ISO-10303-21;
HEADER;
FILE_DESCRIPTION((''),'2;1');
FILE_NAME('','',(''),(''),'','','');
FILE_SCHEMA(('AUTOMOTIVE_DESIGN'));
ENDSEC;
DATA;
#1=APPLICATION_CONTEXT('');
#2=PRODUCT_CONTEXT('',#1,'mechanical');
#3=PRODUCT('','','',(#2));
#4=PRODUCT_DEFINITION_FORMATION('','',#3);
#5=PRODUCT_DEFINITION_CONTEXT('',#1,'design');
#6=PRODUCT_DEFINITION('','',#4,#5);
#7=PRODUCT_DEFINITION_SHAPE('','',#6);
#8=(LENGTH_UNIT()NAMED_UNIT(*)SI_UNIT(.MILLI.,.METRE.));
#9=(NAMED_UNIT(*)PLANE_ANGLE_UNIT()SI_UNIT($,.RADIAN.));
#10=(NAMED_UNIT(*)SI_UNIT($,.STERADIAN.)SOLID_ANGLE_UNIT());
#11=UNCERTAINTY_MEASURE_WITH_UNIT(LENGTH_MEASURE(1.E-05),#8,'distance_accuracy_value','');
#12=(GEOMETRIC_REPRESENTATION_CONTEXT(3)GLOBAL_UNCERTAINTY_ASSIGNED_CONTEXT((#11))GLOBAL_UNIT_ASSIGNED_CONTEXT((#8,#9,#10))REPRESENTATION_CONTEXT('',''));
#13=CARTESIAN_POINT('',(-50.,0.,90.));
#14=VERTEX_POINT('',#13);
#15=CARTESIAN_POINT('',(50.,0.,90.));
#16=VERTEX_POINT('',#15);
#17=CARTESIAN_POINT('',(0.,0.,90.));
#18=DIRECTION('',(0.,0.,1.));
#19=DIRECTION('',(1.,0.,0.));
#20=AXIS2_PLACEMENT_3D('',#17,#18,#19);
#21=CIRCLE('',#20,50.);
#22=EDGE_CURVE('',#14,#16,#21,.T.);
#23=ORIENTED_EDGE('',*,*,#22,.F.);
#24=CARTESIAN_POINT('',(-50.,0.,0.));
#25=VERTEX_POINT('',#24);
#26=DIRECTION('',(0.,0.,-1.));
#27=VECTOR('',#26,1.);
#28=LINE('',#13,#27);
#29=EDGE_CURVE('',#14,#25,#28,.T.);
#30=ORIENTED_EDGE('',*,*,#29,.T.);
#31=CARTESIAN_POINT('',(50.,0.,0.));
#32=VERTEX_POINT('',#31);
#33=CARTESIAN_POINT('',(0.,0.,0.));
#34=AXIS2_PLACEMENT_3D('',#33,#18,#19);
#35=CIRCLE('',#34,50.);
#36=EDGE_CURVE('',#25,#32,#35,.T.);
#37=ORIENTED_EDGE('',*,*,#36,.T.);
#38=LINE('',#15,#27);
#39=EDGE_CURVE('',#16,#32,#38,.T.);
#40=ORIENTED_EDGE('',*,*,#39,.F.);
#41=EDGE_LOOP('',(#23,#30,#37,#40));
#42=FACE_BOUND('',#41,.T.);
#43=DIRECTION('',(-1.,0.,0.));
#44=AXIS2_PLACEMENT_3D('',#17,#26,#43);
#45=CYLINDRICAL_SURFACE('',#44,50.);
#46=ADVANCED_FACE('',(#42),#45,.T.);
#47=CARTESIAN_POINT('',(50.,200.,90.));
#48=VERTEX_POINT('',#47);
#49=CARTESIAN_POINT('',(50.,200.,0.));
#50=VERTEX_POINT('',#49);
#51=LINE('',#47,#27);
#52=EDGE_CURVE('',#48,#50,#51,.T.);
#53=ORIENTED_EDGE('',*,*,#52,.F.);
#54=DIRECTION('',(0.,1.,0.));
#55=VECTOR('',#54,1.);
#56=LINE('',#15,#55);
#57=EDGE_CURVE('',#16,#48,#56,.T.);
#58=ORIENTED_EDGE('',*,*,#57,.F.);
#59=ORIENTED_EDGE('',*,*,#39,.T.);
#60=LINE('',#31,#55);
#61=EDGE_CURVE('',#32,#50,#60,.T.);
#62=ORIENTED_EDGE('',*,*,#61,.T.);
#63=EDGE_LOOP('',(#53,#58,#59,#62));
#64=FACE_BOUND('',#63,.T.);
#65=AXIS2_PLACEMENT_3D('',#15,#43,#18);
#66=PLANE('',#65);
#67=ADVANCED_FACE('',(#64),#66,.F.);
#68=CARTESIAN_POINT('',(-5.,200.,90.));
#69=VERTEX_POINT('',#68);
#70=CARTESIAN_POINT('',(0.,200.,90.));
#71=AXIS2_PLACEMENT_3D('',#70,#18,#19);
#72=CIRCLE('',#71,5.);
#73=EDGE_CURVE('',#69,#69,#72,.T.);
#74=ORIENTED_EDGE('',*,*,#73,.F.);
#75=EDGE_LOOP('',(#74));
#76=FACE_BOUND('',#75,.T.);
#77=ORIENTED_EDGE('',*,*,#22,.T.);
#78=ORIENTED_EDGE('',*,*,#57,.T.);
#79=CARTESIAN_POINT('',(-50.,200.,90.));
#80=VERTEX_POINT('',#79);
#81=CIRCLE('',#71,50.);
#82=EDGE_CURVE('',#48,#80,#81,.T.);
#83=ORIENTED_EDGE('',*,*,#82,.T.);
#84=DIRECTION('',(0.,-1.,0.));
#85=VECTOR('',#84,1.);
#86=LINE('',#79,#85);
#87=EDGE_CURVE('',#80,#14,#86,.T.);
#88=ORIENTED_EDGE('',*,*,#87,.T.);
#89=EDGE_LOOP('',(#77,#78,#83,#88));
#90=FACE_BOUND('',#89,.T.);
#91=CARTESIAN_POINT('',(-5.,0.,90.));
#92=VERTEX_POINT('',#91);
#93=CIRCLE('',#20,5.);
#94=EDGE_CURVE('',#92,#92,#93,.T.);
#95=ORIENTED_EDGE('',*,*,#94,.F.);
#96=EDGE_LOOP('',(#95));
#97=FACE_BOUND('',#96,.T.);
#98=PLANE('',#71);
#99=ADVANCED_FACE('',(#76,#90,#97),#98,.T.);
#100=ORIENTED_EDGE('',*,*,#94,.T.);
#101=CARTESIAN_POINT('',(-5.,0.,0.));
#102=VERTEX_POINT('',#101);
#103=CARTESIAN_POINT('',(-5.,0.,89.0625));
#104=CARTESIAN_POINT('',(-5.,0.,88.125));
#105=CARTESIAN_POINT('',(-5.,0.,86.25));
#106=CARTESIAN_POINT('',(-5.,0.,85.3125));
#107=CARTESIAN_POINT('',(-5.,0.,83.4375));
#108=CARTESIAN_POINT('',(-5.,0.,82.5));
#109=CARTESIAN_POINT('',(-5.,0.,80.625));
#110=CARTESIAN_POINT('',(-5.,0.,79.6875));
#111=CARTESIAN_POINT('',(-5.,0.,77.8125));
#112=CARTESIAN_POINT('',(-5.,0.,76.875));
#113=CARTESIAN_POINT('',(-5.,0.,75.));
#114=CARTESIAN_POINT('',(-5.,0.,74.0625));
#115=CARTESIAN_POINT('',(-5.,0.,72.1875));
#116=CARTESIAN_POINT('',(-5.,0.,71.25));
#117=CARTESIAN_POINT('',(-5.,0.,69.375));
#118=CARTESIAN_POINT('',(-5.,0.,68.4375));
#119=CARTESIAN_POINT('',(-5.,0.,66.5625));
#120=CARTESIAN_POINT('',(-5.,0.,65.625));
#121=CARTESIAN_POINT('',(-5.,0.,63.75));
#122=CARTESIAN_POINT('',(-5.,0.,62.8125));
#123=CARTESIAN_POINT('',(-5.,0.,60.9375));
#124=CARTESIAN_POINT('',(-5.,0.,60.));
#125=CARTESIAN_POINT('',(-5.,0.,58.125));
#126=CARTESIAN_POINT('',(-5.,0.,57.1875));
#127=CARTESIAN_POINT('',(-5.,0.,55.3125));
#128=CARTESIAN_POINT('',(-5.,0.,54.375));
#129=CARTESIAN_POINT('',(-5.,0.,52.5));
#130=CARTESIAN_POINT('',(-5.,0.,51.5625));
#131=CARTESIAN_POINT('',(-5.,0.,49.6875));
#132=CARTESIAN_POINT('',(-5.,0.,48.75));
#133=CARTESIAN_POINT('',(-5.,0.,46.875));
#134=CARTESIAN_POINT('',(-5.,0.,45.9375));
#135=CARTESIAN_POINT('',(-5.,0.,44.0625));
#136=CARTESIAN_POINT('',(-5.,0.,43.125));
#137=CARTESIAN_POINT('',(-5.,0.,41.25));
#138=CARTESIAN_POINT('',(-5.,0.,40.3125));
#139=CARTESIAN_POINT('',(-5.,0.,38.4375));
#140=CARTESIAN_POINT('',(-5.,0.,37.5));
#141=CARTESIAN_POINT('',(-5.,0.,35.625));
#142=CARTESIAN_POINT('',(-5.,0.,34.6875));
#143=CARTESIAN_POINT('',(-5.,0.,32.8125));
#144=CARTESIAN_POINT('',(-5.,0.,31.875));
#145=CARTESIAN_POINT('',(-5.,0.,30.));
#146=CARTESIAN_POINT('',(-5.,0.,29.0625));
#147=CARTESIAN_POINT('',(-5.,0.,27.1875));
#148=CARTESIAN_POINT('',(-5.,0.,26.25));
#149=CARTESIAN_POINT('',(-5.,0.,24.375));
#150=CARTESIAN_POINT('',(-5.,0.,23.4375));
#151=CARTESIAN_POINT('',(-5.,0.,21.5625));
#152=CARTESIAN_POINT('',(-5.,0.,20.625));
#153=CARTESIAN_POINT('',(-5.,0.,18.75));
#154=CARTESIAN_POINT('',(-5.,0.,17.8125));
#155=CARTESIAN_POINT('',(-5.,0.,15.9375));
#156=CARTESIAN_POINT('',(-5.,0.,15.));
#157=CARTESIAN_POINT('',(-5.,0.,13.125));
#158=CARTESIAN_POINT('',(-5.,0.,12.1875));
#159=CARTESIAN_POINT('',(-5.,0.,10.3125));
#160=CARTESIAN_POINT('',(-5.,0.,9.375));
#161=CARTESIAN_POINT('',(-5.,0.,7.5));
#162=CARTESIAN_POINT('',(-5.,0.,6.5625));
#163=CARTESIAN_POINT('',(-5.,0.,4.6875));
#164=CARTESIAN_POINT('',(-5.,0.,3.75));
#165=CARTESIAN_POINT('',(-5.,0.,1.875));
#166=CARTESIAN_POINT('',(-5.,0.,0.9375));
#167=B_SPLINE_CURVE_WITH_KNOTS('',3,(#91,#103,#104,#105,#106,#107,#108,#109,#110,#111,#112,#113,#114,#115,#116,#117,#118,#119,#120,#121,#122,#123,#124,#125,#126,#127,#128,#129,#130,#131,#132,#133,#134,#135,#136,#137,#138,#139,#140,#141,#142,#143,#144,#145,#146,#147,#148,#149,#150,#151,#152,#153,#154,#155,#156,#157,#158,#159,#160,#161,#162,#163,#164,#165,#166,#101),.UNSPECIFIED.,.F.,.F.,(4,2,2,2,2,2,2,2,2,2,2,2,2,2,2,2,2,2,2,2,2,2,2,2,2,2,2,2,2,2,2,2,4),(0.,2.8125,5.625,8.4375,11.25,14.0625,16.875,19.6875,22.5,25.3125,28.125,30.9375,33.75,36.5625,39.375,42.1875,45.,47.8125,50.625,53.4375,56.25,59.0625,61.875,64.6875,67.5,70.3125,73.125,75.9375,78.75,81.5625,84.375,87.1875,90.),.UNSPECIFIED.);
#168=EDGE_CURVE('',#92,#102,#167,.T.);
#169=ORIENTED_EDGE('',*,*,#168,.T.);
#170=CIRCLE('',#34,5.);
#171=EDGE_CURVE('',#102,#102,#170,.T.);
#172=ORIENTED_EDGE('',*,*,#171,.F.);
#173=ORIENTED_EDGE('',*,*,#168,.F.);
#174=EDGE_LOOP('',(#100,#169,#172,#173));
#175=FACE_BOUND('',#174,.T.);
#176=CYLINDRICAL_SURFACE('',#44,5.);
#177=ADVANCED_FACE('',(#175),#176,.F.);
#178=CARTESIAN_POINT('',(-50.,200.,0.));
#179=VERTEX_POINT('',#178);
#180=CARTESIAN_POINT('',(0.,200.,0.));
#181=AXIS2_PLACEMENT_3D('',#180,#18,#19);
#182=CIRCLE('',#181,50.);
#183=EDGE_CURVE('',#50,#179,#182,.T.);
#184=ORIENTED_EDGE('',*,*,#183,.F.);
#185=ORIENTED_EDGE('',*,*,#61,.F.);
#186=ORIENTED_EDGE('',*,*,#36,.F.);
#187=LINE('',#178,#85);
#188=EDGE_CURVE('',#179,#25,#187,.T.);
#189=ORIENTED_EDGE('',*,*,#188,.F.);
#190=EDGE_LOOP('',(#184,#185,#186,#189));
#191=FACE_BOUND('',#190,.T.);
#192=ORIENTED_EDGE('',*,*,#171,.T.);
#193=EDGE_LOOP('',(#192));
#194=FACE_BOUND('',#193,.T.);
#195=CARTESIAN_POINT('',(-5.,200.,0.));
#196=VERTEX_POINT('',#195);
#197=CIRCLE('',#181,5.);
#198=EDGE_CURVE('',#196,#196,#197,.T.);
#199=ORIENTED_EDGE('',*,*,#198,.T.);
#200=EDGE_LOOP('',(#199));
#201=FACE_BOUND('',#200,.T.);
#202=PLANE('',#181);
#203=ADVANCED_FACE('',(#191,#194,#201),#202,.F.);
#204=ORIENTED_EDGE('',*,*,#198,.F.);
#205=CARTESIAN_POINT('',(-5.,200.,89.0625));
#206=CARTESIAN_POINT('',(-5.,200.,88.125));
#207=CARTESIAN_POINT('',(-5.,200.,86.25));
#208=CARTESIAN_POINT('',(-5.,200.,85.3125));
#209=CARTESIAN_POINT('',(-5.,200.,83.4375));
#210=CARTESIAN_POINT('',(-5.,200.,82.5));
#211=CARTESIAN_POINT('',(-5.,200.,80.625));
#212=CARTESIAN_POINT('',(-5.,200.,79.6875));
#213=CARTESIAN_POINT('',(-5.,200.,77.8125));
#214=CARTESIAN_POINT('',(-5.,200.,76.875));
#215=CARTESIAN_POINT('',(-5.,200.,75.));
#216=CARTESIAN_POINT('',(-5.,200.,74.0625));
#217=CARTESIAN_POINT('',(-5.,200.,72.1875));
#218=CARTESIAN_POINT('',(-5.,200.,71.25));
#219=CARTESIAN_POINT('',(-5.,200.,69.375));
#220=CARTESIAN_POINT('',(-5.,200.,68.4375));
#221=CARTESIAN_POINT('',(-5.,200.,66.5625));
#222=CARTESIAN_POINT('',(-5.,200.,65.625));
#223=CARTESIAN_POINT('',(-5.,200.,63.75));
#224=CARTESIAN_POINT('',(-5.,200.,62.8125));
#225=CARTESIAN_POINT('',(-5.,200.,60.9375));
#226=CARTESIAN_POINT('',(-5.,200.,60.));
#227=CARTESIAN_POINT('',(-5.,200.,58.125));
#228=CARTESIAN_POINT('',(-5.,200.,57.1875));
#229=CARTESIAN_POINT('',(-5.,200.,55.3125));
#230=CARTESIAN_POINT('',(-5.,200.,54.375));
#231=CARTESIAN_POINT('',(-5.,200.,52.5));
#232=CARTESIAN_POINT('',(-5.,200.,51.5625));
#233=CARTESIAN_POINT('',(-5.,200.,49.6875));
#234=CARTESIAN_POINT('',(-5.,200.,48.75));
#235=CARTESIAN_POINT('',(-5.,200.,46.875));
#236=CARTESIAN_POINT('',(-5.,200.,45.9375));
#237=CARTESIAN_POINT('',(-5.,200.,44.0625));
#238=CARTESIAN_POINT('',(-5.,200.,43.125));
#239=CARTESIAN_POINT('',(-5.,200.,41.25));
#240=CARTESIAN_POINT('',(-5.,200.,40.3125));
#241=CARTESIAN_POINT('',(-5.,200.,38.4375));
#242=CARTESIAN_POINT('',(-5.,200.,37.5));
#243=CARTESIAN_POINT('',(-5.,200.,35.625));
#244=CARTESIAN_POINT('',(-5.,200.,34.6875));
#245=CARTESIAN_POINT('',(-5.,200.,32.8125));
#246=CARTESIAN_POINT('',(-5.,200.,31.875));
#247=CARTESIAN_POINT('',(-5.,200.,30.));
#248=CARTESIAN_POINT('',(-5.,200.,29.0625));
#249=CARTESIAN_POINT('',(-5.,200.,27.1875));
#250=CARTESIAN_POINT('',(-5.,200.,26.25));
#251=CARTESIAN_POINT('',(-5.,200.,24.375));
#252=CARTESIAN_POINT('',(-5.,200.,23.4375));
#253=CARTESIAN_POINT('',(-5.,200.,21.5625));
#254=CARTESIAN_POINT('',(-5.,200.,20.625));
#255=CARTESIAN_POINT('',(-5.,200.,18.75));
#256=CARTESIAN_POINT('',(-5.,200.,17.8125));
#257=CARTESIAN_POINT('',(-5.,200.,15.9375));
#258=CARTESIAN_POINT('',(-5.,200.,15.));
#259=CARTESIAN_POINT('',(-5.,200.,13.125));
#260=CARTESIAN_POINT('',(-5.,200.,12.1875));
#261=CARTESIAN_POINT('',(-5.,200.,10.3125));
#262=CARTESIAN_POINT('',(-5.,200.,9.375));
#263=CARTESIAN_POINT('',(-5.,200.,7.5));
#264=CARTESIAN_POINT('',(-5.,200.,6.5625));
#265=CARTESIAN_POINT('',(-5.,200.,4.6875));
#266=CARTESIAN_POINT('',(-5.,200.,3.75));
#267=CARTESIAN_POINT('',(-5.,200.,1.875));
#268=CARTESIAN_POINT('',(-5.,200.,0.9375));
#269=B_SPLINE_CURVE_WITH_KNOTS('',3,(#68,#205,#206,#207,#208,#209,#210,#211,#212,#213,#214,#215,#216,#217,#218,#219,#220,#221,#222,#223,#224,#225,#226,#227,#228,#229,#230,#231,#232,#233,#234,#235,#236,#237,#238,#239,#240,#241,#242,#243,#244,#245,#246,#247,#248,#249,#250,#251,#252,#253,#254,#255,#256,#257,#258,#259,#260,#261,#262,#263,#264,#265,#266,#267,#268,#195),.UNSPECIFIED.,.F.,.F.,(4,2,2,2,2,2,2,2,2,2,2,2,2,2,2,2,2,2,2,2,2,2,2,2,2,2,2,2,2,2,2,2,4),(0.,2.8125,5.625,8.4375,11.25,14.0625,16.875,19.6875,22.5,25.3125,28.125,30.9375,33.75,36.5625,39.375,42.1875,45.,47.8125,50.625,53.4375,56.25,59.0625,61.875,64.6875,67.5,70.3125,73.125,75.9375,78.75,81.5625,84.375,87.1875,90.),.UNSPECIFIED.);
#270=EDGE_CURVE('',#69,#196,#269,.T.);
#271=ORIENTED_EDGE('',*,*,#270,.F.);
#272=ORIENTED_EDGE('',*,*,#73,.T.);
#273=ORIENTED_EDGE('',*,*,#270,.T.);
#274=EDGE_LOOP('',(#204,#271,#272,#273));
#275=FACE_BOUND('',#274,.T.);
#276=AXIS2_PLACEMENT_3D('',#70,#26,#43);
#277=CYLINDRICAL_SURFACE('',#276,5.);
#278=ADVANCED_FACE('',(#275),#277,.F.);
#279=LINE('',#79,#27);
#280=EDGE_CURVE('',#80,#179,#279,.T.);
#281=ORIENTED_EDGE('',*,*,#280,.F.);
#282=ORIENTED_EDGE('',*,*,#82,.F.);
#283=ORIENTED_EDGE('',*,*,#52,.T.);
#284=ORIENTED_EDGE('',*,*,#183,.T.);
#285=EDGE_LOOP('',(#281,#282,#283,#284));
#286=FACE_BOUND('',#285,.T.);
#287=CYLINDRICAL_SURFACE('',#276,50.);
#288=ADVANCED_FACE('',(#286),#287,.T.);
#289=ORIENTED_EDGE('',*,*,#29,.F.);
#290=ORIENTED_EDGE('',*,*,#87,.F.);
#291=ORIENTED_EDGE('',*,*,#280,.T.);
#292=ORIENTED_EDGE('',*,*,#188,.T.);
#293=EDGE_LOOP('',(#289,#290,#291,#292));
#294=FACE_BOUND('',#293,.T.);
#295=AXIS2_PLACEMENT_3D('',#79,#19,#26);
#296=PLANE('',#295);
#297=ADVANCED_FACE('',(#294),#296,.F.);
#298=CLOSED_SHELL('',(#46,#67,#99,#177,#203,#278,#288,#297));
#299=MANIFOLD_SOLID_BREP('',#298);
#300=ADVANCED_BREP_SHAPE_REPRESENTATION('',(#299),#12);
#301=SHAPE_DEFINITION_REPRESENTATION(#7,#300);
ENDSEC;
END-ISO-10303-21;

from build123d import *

# Parameters (mm, degrees)
SKIZZE1_R                       = 5
AUFSATZ_LINEAR_AUSTRAGEN1_DEPTH = 90


with BuildPart() as part:
    # Skizze1 → Aufsatz-Linear austragen1 (new body)
    with BuildSketch(Plane.XY):
        with BuildLine():
            Line((-50, 200), (-50, 0))
            ThreePointArc((-50, 0), (0, -50), (50, 0))
            Line((50, 0), (50, 200))
            ThreePointArc((50, 200), (0, 250), (-50, 200))
        make_face()
        with Locations(Location((0, 0, 0), (0, 0, 180))):
            Circle(SKIZZE1_R, mode=Mode.SUBTRACT)
        with Locations(Location((0, 200, 0), (0, 0, 180))):
            Circle(SKIZZE1_R, mode=Mode.SUBTRACT)
    extrude(amount=AUFSATZ_LINEAR_AUSTRAGEN1_DEPTH)


solid = part.part
